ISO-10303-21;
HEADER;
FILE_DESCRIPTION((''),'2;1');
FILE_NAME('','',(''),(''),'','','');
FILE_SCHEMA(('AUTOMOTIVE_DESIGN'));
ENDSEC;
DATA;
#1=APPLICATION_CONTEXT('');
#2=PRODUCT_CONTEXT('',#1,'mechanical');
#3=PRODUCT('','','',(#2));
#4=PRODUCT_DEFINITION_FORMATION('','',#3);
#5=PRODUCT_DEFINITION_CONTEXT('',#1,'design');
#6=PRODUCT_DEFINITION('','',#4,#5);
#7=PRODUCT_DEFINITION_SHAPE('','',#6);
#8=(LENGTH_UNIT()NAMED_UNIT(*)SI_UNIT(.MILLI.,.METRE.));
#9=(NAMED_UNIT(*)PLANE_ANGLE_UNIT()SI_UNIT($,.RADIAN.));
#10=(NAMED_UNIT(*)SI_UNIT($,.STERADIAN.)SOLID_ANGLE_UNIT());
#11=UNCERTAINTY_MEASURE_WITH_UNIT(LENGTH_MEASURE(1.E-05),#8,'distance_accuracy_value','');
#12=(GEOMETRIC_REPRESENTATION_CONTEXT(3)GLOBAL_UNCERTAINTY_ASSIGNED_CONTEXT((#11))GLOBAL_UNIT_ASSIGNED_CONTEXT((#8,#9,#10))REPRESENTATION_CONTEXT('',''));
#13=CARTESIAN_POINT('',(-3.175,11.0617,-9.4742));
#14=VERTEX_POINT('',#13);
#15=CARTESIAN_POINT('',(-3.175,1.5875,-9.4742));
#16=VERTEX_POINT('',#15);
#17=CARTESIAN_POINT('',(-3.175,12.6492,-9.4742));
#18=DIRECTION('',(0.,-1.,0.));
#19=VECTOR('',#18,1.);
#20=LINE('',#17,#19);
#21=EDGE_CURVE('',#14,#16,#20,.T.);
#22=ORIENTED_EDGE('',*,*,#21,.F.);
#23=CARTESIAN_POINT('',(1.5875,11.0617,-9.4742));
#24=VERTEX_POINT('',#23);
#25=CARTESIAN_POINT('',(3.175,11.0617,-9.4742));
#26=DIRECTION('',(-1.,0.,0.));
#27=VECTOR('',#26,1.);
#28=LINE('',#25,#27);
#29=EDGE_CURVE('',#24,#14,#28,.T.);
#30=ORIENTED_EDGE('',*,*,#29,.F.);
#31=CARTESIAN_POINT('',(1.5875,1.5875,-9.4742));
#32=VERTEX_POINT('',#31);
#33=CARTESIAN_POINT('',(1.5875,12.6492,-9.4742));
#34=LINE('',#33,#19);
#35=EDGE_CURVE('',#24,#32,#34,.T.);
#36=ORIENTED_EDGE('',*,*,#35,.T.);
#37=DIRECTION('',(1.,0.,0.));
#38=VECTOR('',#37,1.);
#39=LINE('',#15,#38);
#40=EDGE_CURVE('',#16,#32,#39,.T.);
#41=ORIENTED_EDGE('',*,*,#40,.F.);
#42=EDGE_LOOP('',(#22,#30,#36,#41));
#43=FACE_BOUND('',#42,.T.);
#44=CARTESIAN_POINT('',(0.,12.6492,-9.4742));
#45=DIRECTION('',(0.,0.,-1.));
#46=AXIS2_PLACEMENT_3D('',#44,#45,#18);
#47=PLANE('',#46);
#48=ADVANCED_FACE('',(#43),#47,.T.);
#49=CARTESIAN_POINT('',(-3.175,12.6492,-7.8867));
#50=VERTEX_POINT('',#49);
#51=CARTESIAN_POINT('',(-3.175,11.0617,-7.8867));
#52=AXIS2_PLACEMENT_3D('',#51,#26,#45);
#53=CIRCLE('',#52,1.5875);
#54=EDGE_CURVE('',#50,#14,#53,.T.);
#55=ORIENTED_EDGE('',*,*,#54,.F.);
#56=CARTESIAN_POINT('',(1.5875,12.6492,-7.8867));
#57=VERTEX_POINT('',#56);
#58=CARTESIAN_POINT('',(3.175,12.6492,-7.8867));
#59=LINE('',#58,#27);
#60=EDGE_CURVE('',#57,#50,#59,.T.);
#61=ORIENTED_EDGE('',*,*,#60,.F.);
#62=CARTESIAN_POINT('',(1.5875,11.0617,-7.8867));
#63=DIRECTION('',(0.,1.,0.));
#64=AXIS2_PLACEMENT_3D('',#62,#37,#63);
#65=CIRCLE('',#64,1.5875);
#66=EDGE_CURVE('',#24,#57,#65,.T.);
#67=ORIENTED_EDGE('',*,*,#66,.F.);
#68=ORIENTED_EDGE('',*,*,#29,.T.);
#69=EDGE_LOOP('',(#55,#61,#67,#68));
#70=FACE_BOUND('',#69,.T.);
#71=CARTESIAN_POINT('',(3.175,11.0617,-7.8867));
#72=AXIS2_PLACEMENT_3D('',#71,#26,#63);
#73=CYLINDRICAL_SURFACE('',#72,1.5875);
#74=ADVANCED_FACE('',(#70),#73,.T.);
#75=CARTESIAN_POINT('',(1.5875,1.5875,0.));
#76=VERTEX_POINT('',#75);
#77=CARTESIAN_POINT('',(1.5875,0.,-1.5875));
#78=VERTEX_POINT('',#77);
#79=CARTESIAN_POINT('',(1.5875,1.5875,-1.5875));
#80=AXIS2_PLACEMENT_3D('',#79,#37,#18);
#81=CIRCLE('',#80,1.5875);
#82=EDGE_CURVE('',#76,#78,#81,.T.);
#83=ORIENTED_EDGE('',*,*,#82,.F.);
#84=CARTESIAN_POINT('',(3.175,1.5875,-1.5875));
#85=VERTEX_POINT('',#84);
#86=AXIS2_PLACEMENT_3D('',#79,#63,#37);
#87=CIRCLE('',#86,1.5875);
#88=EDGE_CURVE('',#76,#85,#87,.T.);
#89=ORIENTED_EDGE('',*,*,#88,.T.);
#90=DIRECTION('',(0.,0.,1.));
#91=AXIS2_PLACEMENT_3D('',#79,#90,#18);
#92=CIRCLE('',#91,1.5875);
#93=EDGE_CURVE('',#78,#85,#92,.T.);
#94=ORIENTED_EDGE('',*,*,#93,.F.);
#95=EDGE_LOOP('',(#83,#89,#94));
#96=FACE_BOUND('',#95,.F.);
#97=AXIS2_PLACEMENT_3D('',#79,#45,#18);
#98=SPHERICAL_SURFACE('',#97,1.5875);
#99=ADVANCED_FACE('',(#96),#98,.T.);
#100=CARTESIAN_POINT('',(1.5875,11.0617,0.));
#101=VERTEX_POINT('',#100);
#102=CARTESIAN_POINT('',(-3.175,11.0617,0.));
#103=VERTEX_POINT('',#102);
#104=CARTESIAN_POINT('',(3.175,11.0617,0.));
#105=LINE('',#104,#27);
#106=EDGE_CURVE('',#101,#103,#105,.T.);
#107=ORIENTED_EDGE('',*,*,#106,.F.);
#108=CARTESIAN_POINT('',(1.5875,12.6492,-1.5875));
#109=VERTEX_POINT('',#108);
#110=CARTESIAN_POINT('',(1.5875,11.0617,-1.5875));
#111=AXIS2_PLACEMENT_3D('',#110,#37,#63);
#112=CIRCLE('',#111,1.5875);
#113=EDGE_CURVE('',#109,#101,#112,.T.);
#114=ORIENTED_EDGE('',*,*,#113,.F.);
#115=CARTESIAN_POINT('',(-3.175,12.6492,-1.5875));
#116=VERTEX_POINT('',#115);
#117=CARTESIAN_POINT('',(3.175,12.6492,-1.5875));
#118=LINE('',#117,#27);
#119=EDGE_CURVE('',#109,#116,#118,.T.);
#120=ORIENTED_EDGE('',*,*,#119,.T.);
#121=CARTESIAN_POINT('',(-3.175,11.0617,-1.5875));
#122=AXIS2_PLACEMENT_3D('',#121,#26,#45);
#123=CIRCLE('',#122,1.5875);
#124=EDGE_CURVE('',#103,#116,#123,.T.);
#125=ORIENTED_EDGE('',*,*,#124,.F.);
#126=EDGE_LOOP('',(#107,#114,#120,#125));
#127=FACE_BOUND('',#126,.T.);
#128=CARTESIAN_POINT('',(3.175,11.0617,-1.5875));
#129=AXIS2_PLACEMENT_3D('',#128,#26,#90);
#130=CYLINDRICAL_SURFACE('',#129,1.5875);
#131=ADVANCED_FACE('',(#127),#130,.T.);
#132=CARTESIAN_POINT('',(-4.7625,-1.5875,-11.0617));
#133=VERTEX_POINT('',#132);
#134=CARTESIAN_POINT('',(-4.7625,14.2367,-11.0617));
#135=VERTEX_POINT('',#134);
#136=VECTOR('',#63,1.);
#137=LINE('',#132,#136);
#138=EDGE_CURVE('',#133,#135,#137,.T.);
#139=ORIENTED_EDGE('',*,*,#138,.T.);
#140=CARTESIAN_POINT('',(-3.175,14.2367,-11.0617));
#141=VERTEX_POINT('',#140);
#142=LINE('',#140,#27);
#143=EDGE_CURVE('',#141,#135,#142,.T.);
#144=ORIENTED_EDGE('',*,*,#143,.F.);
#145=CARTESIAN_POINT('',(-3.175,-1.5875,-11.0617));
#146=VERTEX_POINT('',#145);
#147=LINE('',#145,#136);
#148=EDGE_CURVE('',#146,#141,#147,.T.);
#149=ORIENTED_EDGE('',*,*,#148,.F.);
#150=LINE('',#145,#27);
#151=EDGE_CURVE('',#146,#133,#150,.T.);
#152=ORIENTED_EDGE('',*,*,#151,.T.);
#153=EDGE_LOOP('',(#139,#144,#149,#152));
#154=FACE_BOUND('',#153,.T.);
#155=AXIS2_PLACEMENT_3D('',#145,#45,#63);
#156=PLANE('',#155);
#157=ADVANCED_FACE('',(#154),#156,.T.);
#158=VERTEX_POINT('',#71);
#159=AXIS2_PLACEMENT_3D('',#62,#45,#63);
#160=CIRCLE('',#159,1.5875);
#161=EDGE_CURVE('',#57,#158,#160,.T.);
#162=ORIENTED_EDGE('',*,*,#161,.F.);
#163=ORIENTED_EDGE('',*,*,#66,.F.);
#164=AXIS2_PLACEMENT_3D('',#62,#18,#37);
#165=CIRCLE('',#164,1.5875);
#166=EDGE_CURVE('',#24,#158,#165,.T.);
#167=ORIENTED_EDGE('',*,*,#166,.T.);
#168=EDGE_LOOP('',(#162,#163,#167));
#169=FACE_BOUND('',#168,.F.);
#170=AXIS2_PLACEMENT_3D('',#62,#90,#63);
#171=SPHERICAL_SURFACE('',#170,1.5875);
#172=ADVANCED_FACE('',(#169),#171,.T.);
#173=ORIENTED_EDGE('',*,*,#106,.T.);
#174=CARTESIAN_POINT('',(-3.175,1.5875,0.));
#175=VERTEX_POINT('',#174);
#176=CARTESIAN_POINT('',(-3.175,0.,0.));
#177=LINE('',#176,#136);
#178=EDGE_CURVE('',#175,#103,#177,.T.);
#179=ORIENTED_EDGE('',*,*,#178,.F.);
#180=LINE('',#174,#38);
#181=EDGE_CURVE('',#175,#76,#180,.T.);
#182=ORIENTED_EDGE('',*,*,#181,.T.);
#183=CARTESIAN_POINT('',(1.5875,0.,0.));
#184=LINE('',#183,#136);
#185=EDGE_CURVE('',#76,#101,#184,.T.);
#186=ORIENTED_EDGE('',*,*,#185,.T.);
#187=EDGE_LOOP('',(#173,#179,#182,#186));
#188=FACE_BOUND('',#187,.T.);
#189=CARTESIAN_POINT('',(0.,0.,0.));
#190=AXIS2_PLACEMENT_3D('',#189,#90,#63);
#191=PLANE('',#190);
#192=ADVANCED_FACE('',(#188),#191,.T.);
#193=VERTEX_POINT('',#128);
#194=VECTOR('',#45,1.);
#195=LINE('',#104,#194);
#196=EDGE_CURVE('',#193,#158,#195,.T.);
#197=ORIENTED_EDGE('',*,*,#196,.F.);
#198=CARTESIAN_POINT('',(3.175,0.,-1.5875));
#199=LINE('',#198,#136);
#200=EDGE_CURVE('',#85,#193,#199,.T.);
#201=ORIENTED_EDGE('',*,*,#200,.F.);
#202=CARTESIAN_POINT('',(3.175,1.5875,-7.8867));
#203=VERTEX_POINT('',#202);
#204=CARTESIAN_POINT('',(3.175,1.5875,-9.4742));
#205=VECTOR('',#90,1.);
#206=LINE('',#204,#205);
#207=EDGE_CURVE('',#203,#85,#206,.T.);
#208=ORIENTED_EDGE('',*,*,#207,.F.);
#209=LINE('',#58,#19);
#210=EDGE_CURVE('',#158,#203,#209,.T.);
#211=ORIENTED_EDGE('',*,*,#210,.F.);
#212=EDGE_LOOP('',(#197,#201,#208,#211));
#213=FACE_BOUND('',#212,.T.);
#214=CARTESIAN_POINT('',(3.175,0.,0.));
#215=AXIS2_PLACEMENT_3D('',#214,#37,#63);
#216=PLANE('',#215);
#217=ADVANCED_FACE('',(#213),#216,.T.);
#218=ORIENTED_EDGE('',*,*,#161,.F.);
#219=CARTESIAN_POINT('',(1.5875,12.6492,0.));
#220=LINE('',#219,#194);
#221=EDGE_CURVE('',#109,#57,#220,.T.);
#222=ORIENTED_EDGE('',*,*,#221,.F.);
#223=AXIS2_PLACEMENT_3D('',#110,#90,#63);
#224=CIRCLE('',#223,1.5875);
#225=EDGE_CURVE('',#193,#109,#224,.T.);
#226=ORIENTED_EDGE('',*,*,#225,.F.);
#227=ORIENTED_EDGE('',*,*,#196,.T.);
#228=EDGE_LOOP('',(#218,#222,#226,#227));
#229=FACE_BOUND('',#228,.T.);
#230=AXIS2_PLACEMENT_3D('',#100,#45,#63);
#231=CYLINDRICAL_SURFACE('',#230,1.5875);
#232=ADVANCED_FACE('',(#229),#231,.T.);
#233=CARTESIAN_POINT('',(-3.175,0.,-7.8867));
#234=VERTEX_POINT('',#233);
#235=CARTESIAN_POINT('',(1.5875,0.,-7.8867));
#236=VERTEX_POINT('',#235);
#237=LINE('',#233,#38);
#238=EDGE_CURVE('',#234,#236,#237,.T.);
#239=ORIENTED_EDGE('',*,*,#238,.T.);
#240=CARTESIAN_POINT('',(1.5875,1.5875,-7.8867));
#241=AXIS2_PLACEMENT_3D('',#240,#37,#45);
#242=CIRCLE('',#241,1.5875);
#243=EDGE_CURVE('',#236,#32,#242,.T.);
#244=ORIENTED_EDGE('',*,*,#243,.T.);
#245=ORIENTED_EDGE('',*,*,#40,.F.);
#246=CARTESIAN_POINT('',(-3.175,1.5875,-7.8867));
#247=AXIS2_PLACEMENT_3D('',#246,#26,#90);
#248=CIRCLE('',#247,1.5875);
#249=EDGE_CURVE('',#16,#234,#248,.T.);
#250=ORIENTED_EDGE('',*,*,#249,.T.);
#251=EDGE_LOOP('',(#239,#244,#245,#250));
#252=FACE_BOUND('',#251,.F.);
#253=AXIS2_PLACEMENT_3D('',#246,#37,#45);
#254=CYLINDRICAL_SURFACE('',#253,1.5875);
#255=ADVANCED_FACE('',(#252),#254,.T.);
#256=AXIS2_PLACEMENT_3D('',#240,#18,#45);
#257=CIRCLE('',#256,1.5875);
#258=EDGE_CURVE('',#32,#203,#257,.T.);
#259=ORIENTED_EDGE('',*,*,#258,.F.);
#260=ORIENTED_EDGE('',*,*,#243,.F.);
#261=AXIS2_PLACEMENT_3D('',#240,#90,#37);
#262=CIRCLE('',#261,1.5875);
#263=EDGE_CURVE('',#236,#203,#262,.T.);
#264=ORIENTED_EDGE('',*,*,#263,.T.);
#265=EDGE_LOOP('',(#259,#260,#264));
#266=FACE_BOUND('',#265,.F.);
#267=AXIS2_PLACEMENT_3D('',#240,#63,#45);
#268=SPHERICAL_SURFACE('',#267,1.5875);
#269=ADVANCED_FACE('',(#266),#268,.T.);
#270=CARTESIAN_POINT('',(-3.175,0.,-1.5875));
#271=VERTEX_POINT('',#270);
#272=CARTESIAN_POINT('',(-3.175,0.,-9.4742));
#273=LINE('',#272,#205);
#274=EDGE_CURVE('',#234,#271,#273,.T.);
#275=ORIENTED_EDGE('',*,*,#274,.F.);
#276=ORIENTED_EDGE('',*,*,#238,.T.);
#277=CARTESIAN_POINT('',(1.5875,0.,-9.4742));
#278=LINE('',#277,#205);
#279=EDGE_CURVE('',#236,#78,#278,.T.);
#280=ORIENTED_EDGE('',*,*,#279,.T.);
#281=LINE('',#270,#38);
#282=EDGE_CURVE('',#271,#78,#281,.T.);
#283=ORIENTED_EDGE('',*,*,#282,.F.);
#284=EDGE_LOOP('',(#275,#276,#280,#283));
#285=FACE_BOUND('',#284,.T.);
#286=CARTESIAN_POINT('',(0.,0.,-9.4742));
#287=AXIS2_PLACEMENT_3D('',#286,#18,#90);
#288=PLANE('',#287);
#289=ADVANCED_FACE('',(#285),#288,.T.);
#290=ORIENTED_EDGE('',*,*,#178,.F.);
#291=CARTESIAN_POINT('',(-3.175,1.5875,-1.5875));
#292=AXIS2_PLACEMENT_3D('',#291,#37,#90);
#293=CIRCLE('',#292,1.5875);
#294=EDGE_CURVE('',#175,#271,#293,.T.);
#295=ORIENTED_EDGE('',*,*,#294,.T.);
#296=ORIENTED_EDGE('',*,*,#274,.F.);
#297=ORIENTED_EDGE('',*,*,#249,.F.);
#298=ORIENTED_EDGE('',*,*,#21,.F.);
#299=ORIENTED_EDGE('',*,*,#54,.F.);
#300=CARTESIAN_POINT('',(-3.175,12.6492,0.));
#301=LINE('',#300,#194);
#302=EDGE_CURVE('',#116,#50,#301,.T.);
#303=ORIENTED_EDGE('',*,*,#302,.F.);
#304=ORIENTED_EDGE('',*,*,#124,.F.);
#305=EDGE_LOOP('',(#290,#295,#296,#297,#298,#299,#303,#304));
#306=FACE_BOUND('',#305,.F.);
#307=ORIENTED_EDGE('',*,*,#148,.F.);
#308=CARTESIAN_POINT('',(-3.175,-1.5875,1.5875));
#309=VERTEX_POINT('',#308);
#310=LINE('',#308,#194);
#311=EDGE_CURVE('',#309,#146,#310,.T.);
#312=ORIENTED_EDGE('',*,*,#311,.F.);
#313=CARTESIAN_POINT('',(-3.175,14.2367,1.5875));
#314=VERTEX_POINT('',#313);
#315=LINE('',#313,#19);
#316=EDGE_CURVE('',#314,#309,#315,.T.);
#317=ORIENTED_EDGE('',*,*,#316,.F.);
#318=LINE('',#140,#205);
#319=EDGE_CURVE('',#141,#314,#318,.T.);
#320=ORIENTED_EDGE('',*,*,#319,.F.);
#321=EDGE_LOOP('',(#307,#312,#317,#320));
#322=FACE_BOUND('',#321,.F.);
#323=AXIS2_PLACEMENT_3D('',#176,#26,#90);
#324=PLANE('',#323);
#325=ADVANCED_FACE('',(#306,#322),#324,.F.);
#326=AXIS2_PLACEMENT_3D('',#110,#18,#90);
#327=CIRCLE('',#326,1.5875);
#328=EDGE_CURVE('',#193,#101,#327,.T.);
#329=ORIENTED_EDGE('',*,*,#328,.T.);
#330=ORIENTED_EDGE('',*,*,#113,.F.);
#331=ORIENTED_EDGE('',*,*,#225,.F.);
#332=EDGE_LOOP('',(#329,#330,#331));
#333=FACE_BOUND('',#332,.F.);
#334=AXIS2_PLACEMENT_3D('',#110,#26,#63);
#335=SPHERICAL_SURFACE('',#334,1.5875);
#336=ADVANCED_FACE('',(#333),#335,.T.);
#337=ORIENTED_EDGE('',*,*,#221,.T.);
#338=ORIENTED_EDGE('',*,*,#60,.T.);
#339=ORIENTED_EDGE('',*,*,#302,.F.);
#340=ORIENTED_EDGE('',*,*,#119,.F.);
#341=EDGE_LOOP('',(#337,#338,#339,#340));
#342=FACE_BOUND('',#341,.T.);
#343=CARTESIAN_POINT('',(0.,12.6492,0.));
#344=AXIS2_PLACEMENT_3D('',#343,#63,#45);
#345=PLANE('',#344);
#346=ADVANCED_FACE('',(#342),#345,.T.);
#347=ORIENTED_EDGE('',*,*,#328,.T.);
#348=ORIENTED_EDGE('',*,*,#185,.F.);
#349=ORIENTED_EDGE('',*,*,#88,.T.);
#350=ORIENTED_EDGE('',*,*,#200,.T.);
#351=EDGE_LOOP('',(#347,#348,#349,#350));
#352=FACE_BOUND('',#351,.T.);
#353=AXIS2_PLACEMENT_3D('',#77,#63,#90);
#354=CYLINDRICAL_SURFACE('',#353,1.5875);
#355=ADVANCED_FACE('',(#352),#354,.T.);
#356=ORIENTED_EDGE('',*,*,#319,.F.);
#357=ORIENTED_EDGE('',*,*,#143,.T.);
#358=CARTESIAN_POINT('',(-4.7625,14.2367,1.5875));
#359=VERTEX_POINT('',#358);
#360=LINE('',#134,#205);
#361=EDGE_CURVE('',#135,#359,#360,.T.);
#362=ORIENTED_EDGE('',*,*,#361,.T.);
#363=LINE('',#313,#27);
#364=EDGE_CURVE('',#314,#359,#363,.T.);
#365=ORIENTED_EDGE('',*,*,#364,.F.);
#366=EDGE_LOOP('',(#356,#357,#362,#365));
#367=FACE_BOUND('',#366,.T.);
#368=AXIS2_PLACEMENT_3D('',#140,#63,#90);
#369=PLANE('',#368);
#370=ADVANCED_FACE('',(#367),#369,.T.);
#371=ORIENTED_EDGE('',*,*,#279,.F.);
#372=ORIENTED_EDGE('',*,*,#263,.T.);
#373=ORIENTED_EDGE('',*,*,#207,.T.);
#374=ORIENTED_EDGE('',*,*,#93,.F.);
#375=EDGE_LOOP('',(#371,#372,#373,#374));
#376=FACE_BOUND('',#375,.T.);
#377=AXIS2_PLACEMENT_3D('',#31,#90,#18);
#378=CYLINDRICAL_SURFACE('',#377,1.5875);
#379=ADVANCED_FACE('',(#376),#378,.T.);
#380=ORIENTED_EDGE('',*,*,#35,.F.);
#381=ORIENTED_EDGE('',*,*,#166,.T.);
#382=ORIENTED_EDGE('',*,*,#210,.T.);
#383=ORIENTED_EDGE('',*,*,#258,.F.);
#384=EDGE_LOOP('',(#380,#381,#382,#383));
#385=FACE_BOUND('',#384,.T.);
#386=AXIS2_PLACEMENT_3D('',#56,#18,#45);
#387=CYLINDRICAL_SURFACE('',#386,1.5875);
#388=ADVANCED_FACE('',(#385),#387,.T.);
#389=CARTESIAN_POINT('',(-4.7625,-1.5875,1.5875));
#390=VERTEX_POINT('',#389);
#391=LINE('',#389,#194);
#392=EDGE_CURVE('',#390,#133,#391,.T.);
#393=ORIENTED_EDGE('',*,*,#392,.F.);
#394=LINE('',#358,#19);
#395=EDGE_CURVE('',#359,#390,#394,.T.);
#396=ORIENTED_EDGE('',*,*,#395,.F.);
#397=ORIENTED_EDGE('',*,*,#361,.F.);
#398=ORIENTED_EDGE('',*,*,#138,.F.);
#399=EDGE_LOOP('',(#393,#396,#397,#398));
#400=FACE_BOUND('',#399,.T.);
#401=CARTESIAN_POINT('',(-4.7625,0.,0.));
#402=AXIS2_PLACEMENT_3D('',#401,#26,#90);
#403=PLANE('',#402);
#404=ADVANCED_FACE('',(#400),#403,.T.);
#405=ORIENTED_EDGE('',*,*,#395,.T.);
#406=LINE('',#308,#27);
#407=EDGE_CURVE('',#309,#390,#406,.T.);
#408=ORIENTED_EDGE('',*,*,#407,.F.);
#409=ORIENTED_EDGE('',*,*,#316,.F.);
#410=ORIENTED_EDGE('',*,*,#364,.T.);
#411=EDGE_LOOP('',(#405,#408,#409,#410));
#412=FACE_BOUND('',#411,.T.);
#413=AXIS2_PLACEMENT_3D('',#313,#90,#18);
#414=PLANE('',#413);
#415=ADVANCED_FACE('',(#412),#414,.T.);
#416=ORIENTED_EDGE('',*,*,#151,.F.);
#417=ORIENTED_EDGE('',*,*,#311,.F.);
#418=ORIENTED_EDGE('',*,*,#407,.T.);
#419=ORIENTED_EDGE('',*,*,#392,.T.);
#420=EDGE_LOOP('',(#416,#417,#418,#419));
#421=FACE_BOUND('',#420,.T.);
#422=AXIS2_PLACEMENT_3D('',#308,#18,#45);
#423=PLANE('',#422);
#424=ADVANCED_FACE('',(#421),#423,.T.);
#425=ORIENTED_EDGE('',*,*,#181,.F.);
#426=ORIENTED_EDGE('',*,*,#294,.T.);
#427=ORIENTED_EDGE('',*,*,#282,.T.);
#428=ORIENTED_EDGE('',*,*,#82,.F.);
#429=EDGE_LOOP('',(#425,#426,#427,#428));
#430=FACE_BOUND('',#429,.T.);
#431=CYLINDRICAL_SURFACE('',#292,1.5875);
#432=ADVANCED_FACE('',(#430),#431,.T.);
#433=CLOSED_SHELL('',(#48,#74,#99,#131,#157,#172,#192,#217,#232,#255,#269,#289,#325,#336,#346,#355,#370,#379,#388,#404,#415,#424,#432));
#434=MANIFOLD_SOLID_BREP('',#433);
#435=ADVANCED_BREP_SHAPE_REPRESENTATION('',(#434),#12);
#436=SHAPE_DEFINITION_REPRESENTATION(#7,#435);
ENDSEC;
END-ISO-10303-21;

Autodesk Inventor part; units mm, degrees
ref_plane "YZ Plane" through (0, 0, 0) normal (1, 0, 0) x (0, 1, 0)
ref_plane "XZ Plane" through (0, 0, 0) normal (0, 1, 0) x (-1, 0, 0)
ref_plane "XY Plane" through (0, 0, 0) normal (0, 0, 1) x (1, 0, 0)
sketch "Sketch1" plane through (0, 0, 0) normal (1, 0, 0) x (0, 1, 0)
  line L0 (0, 0) -> (12.6492, 0)
  line L1 (12.6492, 0) -> (12.6492, -9.4742)
  line L2 (12.6492, -9.4742) -> (0, -9.4742)
  line L3 (0, -9.4742) -> (0, 0)
  dimension "d0" = 12.6492
  dimension "d1" = 9.4742
extrude "Extrusion1" add sketch "Sketch1" along normal mid plane 6.35
sketch "Sketch2" plane through (-3.175, 0, 0) normal (-1, 0, 0) x (0, 0, 1)
  line L0 (0, 0) -> (0, 12.6492) projected
  line L1 (0, 12.6492) -> (-9.4742, 12.6492) projected
  line L2 (-9.4742, 12.6492) -> (-9.4742, 0) projected
  line L3 (-9.4742, 0) -> (0, 0) projected
  line L4 (1.5875, 14.2367) -> (1.5875, -1.5875)
  line L5 (1.5875, -1.5875) -> (-11.0617, -1.5875)
  line L6 (-11.0617, -1.5875) -> (-11.0617, 14.2367)
  line L7 (-11.0617, 14.2367) -> (1.5875, 14.2367)
  dimension "d4" = 1.5875
extrude "Extrusion2" add sketch "Sketch2" along normal blind 1.5875 contours L3 L2 L1 L0 | L4 L5 L6 L7
fillet "Fillet1" radius 1.5875 8 edges at (0, 12.6492, 0) (3.175, 12.6492, -4.7371) (0, 12.6492, -9.4742) (3.175, 6.3246, -9.4742) (0, 0, -9.4742) (3.175, 0, -4.7371) (0, 0, 0) (3.175, 6.3246, 0)
properties part number "Button" material "ABS Plastic"
